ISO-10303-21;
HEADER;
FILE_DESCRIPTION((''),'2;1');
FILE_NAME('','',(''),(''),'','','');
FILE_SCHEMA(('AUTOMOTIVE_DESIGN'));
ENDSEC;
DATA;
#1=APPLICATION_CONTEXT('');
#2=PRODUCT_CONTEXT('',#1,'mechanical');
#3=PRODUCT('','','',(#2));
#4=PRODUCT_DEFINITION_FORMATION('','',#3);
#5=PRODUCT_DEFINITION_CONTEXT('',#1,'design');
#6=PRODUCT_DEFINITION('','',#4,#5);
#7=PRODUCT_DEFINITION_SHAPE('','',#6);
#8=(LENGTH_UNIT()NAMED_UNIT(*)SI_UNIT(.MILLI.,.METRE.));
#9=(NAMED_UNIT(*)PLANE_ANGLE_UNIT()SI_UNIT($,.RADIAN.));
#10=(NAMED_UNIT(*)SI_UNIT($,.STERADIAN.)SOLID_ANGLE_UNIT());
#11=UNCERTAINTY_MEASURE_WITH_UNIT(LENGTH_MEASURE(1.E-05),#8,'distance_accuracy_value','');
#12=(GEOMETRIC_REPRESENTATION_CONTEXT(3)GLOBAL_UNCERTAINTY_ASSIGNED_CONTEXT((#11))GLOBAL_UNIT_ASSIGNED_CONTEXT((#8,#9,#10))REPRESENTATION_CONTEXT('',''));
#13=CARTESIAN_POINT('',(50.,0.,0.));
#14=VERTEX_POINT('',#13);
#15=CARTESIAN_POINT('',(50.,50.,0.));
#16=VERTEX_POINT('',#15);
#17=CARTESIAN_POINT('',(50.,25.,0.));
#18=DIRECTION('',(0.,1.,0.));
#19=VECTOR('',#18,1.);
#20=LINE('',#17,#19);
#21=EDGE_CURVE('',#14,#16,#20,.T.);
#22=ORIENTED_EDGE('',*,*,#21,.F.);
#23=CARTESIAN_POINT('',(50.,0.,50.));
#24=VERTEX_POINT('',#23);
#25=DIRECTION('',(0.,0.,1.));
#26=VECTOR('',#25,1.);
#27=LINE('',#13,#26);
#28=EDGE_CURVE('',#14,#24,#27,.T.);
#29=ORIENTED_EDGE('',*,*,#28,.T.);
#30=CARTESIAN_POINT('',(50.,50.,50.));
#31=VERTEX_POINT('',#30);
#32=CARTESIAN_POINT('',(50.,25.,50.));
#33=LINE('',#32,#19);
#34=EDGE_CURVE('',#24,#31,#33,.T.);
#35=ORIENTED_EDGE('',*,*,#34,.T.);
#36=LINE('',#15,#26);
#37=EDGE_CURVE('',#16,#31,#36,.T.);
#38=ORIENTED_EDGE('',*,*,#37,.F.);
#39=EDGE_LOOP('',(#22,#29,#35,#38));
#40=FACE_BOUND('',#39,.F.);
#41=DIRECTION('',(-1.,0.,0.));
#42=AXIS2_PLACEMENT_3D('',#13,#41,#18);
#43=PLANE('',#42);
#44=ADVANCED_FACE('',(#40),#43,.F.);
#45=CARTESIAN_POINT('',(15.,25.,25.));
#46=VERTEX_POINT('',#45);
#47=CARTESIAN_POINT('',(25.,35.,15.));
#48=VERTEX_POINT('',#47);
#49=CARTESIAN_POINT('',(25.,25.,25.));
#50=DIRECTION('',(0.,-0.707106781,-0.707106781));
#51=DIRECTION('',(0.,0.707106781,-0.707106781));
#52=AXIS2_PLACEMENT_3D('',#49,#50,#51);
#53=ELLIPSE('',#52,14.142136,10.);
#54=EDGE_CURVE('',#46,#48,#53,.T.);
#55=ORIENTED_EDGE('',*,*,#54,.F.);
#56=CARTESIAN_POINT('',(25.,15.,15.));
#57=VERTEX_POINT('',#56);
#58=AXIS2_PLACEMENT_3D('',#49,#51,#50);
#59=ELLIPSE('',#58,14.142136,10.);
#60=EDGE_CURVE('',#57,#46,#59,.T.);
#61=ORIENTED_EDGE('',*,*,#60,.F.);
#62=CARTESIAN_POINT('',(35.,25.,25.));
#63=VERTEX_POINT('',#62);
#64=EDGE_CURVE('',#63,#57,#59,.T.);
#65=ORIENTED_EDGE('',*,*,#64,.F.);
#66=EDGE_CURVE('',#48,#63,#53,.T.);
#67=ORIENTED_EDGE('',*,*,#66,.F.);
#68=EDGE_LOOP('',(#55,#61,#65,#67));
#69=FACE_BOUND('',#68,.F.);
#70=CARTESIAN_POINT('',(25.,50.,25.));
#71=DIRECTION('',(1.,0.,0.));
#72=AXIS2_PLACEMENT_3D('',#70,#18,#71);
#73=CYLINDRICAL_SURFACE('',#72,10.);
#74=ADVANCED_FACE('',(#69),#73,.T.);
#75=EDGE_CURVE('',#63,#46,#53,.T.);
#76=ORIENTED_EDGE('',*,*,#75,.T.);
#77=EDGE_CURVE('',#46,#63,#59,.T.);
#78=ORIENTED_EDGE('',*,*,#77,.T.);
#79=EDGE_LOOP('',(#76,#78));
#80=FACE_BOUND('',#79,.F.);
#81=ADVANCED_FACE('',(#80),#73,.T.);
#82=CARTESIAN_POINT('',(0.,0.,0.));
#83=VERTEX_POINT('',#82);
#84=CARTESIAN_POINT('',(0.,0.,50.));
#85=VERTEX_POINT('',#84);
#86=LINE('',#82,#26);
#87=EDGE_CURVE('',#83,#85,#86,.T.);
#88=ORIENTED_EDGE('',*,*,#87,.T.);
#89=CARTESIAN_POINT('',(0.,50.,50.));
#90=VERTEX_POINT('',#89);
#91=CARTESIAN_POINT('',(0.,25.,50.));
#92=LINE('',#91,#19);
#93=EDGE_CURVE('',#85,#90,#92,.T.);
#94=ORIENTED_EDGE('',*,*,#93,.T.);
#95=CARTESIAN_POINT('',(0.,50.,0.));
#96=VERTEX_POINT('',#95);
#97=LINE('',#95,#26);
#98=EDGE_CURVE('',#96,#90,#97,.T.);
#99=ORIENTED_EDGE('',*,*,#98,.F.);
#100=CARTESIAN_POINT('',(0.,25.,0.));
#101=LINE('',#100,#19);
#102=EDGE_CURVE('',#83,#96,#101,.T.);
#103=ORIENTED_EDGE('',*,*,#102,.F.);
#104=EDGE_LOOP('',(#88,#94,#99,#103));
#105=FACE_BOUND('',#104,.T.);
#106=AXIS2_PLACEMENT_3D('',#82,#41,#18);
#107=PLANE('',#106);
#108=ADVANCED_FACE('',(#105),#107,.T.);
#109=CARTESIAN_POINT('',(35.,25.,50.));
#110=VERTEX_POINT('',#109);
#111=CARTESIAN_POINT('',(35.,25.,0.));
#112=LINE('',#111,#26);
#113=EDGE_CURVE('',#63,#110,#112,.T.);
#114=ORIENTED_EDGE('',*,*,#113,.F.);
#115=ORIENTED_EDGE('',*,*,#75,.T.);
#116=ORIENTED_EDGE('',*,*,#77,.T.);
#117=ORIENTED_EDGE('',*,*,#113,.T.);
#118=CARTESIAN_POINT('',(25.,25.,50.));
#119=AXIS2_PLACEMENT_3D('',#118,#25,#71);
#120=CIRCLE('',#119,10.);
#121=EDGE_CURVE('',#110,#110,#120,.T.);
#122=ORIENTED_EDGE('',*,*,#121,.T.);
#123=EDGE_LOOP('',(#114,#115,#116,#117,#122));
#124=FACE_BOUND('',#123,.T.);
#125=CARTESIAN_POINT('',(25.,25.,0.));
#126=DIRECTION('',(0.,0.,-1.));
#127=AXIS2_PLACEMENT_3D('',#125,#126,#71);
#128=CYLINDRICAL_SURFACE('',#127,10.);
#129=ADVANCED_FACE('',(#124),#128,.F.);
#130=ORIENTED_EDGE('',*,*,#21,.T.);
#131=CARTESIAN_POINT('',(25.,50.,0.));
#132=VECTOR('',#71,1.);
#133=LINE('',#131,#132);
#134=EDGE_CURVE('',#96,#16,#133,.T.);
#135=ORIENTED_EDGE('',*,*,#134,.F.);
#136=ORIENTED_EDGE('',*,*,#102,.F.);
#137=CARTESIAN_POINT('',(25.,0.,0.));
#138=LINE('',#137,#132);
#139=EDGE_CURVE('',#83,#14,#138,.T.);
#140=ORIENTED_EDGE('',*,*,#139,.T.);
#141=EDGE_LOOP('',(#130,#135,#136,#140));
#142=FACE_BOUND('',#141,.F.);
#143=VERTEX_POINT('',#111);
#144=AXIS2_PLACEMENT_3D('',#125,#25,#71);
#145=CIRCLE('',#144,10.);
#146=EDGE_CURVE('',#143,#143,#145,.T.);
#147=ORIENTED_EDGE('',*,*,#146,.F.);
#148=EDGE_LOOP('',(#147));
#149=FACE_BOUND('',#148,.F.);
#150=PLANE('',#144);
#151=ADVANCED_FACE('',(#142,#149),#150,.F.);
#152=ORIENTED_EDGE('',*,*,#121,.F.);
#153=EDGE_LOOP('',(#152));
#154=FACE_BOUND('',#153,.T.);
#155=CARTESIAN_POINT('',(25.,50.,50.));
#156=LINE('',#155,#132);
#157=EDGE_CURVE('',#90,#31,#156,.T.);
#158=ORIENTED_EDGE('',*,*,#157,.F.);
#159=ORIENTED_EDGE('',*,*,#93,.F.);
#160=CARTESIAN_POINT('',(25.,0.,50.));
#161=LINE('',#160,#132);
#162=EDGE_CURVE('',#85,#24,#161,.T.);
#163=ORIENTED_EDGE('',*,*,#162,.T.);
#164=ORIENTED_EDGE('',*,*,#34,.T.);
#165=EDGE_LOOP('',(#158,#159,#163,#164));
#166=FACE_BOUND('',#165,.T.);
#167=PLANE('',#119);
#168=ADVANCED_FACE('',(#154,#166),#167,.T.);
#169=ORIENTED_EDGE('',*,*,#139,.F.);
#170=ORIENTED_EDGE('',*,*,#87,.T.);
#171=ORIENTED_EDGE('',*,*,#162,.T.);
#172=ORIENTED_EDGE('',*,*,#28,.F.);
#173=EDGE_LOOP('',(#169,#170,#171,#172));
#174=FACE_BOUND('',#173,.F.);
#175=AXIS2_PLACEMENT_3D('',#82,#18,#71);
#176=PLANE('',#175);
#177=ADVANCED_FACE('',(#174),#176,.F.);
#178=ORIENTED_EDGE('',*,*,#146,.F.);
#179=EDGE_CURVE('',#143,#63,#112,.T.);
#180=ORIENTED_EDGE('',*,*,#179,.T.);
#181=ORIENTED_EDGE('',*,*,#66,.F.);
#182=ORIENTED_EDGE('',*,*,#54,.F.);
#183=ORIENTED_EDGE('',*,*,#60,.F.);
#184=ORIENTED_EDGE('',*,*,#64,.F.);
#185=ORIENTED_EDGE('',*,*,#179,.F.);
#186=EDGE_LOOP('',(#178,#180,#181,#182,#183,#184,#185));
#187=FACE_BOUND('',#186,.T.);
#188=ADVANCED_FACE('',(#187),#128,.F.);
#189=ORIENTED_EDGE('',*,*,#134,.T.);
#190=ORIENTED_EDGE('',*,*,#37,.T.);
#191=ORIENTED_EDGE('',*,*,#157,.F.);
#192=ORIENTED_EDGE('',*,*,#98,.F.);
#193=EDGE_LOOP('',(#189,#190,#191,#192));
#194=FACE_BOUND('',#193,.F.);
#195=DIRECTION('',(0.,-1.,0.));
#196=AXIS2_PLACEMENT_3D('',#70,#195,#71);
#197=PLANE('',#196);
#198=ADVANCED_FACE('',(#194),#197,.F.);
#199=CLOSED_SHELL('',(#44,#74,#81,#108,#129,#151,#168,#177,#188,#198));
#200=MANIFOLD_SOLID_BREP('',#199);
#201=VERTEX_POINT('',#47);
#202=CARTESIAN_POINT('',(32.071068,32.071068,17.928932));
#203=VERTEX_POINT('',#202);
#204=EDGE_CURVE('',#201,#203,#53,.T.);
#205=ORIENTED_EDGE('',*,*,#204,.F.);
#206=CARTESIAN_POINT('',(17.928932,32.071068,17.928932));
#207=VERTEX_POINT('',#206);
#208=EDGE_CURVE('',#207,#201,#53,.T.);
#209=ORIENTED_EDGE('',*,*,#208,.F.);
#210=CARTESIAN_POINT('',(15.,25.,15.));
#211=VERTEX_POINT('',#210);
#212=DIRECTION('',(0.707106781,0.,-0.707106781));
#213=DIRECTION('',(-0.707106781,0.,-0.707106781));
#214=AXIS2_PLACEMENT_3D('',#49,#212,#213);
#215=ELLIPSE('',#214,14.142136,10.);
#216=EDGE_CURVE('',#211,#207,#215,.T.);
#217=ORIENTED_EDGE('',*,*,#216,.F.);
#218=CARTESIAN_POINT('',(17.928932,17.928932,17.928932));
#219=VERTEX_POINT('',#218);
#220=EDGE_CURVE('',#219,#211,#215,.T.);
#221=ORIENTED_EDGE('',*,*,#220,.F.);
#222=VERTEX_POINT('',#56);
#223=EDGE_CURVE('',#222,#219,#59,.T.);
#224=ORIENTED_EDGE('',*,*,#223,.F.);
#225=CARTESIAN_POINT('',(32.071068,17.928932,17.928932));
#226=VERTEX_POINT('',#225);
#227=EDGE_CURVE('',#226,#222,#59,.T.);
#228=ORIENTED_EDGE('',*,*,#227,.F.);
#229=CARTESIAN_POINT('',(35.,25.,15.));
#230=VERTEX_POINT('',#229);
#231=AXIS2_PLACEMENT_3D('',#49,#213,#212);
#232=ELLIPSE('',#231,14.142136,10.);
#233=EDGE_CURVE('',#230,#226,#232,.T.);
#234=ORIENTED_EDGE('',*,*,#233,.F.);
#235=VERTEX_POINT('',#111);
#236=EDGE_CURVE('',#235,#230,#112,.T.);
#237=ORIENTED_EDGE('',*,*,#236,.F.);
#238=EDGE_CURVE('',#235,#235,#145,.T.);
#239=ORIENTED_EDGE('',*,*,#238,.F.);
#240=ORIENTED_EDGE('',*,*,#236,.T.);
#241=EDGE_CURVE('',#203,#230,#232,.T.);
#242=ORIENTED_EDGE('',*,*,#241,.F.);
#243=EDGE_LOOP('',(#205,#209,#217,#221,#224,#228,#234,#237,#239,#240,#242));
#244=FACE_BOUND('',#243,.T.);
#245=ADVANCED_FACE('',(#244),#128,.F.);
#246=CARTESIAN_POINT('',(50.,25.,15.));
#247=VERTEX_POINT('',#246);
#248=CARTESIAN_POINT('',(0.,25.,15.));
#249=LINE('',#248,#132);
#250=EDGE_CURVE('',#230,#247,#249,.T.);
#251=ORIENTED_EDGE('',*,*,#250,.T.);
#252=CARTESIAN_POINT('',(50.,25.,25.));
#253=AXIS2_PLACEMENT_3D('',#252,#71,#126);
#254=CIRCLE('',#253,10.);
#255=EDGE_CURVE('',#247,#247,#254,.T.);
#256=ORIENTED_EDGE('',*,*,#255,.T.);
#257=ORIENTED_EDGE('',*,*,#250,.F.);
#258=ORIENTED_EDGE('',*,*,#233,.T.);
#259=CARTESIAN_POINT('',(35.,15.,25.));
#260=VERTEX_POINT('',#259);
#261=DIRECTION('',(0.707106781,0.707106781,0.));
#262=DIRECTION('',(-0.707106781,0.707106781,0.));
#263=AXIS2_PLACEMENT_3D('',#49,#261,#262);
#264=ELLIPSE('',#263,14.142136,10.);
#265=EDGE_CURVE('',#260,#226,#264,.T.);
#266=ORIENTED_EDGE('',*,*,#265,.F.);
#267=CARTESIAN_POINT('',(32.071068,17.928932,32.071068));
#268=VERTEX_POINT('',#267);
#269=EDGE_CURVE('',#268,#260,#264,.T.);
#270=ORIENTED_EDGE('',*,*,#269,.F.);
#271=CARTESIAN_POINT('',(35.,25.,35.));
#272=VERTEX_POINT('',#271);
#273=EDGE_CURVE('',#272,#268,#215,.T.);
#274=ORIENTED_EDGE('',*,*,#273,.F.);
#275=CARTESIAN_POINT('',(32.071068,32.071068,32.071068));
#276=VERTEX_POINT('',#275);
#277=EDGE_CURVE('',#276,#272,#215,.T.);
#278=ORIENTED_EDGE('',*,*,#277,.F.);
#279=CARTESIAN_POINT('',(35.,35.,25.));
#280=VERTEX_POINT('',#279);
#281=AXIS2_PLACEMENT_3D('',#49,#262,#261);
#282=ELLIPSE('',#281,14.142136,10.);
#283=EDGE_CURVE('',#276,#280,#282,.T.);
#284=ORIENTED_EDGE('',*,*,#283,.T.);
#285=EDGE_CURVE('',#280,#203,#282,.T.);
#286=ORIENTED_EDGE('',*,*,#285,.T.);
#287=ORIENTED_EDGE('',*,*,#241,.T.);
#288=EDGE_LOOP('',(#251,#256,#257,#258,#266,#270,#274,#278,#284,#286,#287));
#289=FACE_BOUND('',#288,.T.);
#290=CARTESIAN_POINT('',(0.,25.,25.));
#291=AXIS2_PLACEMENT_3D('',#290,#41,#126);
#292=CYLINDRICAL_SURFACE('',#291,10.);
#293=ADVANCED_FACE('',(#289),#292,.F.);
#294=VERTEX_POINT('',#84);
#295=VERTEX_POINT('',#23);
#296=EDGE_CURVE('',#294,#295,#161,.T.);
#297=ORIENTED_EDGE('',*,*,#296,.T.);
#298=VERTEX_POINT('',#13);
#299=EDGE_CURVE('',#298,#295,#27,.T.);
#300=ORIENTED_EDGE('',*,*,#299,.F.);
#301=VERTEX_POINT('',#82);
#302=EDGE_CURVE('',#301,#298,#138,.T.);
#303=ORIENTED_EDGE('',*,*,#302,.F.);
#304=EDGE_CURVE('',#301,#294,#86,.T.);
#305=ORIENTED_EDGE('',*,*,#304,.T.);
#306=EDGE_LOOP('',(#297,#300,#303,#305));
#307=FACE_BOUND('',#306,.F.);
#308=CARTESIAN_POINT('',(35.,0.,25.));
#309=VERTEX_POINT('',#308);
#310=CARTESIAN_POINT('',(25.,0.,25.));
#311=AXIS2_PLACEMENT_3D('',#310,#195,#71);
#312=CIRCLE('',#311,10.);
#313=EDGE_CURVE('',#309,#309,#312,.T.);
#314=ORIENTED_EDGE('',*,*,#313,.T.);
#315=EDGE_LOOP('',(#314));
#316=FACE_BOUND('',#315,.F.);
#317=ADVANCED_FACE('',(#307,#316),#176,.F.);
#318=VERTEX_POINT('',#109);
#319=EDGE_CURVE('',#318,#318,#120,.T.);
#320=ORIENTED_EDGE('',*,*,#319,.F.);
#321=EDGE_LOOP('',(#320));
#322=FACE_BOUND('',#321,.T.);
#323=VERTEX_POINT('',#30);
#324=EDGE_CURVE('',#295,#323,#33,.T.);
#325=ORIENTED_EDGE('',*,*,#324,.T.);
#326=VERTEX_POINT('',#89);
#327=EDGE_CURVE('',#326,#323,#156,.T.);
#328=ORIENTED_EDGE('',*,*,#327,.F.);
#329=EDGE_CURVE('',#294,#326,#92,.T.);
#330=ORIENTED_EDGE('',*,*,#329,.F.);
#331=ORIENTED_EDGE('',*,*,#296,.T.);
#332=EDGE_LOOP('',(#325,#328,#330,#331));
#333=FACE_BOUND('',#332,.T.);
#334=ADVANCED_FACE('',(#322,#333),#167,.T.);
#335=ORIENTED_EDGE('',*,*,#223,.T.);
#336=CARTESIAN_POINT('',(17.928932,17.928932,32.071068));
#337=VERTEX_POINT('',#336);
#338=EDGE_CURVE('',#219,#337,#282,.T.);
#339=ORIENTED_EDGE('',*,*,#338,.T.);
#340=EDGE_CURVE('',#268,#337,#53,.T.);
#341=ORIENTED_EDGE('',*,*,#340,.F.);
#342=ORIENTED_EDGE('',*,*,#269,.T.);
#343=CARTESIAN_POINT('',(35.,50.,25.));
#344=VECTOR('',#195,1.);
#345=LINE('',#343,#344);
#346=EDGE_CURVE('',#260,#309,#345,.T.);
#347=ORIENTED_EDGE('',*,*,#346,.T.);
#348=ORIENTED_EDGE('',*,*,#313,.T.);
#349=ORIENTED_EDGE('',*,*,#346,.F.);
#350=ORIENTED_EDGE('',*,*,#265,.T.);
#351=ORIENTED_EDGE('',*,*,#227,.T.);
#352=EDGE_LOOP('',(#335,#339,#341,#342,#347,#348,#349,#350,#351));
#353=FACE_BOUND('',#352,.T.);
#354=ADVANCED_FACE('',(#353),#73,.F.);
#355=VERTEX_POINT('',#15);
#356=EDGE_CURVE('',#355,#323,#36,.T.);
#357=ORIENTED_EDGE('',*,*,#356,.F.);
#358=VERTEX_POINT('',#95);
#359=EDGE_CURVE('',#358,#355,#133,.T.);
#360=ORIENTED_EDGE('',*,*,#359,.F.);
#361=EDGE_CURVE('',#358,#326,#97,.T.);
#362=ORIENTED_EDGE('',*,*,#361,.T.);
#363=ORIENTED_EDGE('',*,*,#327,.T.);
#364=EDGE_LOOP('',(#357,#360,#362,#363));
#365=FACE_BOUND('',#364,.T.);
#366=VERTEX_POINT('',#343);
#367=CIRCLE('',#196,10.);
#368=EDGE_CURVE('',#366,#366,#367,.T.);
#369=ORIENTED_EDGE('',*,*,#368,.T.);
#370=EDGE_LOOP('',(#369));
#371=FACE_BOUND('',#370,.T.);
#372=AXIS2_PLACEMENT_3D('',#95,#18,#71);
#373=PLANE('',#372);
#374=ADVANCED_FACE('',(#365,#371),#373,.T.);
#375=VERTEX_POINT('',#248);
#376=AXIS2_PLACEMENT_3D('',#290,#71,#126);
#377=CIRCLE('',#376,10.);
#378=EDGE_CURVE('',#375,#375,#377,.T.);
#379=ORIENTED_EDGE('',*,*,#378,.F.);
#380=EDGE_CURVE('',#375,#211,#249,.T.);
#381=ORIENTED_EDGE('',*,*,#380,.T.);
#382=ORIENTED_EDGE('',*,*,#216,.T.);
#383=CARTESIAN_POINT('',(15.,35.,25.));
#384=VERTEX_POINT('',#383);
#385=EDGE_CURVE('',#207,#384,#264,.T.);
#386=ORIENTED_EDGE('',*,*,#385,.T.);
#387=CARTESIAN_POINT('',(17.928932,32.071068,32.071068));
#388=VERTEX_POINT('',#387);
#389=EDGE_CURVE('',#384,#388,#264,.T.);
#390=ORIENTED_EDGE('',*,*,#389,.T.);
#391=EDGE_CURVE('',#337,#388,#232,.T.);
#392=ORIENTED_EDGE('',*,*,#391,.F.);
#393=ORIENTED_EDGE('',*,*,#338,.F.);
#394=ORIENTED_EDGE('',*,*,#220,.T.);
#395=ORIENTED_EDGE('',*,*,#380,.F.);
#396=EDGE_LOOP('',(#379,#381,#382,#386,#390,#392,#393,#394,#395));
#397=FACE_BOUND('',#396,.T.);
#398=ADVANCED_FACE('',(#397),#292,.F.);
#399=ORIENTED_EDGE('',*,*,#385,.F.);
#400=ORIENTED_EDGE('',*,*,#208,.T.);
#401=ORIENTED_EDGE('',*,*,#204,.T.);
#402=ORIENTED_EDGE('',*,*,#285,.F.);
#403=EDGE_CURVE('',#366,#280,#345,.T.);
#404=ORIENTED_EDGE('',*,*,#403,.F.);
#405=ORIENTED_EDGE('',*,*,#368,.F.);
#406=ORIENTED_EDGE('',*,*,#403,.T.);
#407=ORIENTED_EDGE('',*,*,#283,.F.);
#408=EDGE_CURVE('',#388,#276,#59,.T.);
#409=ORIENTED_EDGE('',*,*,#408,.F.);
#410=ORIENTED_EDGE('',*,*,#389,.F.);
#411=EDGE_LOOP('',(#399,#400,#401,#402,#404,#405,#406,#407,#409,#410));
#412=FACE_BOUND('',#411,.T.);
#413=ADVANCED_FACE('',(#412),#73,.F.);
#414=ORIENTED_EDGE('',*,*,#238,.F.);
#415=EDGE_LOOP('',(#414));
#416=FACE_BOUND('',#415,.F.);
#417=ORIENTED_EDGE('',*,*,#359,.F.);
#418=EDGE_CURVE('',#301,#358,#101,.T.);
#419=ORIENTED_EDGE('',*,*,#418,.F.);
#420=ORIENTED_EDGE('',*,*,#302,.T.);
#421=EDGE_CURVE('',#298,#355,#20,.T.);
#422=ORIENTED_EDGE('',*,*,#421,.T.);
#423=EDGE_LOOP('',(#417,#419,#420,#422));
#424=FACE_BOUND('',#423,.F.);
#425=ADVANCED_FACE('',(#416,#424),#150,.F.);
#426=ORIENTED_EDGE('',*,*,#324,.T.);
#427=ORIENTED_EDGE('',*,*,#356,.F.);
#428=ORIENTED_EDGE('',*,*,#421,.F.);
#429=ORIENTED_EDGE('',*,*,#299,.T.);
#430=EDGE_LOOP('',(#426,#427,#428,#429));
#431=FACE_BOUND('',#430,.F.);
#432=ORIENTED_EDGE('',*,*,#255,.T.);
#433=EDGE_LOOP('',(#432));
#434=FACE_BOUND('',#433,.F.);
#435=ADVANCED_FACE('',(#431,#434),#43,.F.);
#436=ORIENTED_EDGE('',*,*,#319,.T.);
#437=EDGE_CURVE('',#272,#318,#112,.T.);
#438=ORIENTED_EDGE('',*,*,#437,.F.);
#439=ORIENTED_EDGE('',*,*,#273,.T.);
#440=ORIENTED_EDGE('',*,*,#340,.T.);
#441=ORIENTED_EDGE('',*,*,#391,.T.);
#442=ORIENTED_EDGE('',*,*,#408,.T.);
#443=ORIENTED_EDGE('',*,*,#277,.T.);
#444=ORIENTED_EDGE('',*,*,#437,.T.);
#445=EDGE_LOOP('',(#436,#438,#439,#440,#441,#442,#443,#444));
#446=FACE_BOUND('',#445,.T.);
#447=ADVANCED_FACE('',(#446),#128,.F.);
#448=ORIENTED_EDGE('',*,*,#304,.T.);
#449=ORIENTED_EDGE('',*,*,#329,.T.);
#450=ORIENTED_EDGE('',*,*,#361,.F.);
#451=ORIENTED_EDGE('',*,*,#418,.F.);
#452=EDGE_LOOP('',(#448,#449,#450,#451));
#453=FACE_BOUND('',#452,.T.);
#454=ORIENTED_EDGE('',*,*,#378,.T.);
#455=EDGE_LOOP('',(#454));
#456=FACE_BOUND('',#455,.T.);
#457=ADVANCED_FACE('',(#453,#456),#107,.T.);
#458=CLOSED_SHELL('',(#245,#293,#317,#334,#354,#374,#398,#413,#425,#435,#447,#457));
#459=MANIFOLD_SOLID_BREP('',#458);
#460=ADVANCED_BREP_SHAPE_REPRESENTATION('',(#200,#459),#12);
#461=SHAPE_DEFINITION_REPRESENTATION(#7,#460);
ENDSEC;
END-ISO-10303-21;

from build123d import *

# Parameters (mm, degrees)
CYLINDER1_R     = 10
CYLINDER1_DEPTH = 50
CYLINDER_R      = 10
CYLINDER_DEPTH  = 50
BOX_W           = 50
BOX_H           = 50
BOX_DEPTH       = 50
CYLINDER2_R     = 10
CYLINDER2_DEPTH = 50


with BuildPart() as cylinder1:
    # Cylinder1 → Cylinder1 (new body)
    with BuildSketch(Plane(origin=(25, 50, 25), x_dir=(1, 0, 0), z_dir=(0, -1, 0))):
        Circle(CYLINDER1_R)
    extrude(amount=CYLINDER1_DEPTH)


with BuildPart() as cylinder:
    # Cylinder → Cylinder (new body)
    with BuildSketch(Plane(origin=(25, 25, 0), x_dir=(1, 0, 0), z_dir=(0, 0, 1))):
        Circle(CYLINDER_R)
    extrude(amount=CYLINDER_DEPTH)


with BuildPart() as cut:
    # Box → Box (new body)
    with BuildSketch(Plane.XY):
        with Locations((25, 25)):
            Rectangle(BOX_W, BOX_H)
    extrude(amount=BOX_DEPTH)

    # Cut: cut Cylinder
    add(cylinder.part, mode=Mode.SUBTRACT)


with BuildPart() as fusion:
    # Fusion base: copy of Cut
    add(cut.part)

    # Fusion: union Cylinder1
    add(cylinder1.part)


with BuildPart() as cylinder2:
    # Cylinder2 → Cylinder2 (new body)
    with BuildSketch(Plane(origin=(0, 25, 25), x_dir=(0, 0, -1), z_dir=(1, 0, 0))):
        Circle(CYLINDER2_R)
    extrude(amount=CYLINDER2_DEPTH)


with BuildPart() as cut2:
    # Cut1 base: copy of Cut
    add(cut.part)

    # Cut1: cut Cylinder1
    add(cylinder1.part, mode=Mode.SUBTRACT)

    # Cut2: cut Cylinder2
    add(cylinder2.part, mode=Mode.SUBTRACT)


solid = Compound([fusion.part, cut2.part])
